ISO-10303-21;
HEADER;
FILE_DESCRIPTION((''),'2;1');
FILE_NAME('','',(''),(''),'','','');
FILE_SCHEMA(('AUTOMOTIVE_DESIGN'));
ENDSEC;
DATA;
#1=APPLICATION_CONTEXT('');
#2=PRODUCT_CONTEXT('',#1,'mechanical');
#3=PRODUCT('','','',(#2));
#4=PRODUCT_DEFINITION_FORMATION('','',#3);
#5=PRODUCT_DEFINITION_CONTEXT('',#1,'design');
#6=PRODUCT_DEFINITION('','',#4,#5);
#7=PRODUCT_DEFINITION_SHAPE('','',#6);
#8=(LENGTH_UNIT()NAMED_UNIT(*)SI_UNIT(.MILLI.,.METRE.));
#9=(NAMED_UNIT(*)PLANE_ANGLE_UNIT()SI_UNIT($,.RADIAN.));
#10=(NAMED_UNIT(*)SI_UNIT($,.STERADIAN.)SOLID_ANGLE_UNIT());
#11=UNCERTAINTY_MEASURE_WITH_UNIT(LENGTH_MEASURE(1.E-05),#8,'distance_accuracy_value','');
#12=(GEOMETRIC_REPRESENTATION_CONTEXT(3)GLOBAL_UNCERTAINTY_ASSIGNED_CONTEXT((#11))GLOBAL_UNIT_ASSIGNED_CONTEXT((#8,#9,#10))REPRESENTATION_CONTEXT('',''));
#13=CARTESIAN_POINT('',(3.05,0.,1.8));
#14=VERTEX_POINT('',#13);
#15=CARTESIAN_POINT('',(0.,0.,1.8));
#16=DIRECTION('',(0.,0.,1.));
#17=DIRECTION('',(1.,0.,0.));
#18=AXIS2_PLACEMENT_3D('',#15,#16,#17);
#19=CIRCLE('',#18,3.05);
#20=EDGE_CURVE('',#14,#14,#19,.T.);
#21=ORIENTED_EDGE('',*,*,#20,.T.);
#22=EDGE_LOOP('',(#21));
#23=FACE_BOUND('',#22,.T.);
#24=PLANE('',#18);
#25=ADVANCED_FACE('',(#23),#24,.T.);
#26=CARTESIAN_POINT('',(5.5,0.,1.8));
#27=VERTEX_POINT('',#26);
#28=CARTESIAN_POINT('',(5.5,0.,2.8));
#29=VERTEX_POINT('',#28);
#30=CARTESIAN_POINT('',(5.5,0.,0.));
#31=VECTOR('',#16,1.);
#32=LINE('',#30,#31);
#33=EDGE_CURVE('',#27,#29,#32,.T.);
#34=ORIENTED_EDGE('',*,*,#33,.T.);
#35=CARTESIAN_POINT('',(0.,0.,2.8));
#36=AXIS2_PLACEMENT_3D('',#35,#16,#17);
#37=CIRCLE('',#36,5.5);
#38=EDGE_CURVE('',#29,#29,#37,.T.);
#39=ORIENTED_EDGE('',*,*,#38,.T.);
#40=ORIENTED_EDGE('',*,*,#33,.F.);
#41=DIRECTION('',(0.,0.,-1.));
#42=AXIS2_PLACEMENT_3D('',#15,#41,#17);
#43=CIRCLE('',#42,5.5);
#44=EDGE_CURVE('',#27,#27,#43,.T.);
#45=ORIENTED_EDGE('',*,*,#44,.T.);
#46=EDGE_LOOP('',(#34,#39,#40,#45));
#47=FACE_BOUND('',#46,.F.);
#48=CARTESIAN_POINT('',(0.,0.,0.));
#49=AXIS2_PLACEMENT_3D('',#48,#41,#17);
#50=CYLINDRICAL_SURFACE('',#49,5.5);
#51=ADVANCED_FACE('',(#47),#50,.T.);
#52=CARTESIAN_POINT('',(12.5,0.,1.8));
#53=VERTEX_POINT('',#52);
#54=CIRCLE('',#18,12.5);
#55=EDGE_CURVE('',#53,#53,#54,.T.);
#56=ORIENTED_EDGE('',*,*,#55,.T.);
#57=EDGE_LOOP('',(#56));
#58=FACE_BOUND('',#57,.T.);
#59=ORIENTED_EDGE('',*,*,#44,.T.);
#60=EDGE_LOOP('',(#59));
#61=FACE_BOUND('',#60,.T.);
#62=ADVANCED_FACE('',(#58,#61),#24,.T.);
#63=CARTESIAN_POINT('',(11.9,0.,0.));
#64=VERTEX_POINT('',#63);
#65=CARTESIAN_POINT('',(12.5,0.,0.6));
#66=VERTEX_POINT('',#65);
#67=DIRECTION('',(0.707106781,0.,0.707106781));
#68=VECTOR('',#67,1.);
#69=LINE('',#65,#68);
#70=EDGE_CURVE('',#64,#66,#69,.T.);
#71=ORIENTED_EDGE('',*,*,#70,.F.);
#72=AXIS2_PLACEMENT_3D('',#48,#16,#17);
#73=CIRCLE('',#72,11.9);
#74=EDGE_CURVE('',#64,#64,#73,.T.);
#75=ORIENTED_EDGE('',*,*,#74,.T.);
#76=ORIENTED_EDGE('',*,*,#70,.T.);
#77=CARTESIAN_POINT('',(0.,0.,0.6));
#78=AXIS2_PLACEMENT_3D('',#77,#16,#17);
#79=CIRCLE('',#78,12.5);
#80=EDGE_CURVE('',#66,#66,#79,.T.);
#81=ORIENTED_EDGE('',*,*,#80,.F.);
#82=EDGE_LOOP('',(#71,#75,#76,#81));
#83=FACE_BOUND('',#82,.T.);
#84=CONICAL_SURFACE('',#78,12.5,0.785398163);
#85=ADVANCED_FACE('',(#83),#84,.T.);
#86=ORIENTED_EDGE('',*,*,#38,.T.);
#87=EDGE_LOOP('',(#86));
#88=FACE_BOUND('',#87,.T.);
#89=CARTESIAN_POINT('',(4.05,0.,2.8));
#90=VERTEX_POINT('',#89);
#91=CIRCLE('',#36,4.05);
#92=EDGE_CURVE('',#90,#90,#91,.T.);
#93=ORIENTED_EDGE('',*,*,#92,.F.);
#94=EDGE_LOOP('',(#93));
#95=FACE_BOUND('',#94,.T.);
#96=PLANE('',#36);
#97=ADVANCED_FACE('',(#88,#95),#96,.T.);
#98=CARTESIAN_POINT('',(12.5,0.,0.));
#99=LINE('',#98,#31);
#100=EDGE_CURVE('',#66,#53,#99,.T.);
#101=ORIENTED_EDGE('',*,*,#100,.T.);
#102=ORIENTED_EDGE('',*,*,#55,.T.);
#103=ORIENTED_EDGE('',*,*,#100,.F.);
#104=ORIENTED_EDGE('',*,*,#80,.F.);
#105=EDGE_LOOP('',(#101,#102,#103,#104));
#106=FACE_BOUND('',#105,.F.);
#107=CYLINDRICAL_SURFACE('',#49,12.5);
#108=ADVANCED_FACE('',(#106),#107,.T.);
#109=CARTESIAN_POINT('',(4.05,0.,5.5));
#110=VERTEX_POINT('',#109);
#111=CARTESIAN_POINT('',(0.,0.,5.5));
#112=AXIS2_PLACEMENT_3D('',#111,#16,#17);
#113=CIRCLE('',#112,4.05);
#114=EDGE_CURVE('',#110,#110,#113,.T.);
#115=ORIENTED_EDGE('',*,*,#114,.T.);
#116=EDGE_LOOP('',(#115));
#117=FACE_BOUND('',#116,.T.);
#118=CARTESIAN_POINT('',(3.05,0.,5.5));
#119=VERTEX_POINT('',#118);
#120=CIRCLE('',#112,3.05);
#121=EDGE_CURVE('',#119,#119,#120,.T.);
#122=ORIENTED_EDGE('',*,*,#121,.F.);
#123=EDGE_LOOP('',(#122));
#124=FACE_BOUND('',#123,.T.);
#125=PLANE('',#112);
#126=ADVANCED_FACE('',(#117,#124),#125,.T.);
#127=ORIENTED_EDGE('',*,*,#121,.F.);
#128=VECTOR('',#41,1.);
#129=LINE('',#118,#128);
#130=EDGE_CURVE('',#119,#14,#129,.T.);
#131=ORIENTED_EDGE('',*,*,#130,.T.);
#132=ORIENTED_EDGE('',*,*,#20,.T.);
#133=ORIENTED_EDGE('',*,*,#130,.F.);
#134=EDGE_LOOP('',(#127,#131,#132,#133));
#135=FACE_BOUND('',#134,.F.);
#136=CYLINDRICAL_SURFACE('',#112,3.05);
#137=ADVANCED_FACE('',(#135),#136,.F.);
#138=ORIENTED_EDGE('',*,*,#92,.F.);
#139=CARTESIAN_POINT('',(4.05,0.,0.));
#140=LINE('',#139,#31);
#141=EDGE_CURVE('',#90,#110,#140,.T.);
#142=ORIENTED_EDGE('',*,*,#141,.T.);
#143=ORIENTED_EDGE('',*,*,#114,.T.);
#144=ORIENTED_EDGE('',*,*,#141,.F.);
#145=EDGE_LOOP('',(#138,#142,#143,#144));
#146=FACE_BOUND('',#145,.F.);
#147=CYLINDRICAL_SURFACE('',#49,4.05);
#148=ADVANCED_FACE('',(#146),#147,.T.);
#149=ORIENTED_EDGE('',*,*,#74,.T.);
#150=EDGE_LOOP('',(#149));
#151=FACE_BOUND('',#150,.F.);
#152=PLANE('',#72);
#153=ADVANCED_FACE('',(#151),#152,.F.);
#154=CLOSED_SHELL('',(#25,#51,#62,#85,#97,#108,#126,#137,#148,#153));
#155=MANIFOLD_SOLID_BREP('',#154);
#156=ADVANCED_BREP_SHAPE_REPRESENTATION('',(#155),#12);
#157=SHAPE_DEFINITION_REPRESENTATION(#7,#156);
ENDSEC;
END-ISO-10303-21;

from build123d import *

# Parameters (mm, degrees)
F0_R     = 12.5
F0_R_2   = 5.5
F0_R_3   = 4.05
F1_DEPTH = 1.8
F2_DEPTH = 2.8
F3_DEPTH = 5.5
F4_R     = 3.05
F5_DEPTH = 3.7
F6_SIZE  = 0.6


with BuildPart() as f1:
    # F0 (on Top) → F1 (new body)
    with BuildSketch(Plane.XY):
        Circle(F0_R)
        Circle(F0_R_2, mode=Mode.SUBTRACT)
        Circle(F0_R_2)
        Circle(F0_R_3, mode=Mode.SUBTRACT)
        Circle(F0_R_3)
    extrude(amount=F1_DEPTH)

    # F0 (on Top) → F2 (join)
    with BuildSketch(Plane.XY):
        Circle(F0_R_2)
        Circle(F0_R_3, mode=Mode.SUBTRACT)
    extrude(amount=F2_DEPTH)

    # F0 (on Top) → F3 (join)
    with BuildSketch(Plane.XY):
        Circle(F0_R_3)
    extrude(amount=F3_DEPTH)

    # F4 (on face) → F5 (cut, through all)
    with BuildSketch(Plane.XY.offset(5.5)):
        Circle(F4_R)
    extrude(amount=-F5_DEPTH, mode=Mode.SUBTRACT)

    # F6
    f6_edges = [f1.edges().sort_by_distance(p)[0] for p in [
        (-12.5, 0, 0),
    ]]
    chamfer(f6_edges, length=F6_SIZE)


solid = f1.part
